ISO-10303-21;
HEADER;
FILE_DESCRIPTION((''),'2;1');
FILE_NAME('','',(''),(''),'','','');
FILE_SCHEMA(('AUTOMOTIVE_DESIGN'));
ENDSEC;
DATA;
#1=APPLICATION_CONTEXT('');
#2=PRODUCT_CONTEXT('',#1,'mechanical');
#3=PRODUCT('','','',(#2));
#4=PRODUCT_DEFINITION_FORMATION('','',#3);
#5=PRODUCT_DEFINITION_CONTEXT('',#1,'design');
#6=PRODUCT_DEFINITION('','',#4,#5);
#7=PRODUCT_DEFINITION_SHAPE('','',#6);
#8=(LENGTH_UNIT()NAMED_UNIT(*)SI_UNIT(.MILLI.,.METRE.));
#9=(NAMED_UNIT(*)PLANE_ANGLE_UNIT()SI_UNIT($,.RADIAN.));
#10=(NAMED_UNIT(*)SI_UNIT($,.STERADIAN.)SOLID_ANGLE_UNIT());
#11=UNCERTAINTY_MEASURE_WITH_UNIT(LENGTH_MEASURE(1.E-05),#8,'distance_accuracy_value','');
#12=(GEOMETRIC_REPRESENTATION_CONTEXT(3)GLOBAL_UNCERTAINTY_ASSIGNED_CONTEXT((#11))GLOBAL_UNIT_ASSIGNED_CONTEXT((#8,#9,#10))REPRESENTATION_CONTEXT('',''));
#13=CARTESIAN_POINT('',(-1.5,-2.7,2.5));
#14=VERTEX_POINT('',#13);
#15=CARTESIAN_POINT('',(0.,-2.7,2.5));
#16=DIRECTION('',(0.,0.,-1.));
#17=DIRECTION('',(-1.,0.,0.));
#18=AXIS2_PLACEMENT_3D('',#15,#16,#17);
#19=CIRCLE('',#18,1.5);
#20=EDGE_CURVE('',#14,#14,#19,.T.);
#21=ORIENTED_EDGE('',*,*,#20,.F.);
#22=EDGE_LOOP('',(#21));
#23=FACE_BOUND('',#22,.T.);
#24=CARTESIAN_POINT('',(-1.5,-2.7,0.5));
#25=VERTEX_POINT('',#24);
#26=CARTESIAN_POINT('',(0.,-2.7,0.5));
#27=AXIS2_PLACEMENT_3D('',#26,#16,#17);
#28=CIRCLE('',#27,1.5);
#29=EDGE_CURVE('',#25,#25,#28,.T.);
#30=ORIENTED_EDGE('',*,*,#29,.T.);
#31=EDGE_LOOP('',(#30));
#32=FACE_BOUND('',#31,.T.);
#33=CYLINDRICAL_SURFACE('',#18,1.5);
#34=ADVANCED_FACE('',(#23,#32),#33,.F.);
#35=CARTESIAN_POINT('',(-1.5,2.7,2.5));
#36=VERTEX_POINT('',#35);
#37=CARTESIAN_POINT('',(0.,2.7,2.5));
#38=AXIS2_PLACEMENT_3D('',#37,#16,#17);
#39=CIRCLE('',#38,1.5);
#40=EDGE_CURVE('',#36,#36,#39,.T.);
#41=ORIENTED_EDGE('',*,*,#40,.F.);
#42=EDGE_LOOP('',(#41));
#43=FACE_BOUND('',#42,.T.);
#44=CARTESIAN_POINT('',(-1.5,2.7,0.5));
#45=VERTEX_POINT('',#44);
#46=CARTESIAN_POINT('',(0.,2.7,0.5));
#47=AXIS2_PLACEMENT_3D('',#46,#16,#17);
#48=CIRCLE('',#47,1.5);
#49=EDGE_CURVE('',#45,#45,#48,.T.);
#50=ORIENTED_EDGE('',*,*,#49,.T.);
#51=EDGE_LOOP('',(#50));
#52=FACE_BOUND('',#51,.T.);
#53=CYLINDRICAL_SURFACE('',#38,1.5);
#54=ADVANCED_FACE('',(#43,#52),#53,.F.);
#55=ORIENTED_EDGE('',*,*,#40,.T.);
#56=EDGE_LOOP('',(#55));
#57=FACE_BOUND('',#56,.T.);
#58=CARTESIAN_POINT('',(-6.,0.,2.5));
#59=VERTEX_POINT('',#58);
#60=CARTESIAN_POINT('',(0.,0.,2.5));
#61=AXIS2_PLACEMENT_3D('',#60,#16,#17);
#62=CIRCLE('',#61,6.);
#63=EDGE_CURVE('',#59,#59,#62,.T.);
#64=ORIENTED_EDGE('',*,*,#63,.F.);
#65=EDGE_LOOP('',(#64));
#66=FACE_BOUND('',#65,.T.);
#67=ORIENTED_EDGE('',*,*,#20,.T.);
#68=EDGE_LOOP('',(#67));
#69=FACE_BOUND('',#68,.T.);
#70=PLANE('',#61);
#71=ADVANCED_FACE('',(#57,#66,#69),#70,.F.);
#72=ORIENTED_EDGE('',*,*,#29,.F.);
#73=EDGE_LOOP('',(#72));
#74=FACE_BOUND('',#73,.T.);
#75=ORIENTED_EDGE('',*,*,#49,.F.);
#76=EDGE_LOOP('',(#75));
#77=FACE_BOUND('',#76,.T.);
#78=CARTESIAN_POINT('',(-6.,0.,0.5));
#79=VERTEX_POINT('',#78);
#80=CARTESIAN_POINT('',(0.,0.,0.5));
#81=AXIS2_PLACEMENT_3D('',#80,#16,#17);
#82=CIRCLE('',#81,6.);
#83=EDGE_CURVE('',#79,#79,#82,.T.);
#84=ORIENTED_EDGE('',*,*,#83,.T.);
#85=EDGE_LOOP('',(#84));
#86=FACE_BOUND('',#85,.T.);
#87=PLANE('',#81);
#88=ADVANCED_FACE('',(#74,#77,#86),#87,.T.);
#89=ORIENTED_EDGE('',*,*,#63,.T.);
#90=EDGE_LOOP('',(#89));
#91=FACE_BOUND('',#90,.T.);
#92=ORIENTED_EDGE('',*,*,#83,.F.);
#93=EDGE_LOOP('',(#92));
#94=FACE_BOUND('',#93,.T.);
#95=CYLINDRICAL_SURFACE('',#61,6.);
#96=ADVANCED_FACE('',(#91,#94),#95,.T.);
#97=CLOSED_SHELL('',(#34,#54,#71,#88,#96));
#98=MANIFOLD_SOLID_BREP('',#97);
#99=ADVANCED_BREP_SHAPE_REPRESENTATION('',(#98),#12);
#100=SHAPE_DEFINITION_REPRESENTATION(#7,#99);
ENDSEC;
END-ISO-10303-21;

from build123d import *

# Parameters (mm, degrees)
BOSS_EXTRUDE1_START = 0.5
SKETCH2_R           = 6
SKETCH2_R_2         = 1.5
BOSS_EXTRUDE1_DEPTH = 2


with BuildPart() as part:
    # Sketch2 → Boss-Extrude1 (new body)
    with BuildSketch(Plane.XY.offset(BOSS_EXTRUDE1_START)):
        with Locations(Location((0, 0, 0), (0, 0, 180))):
            Circle(SKETCH2_R)
        with Locations(Location((0, 2.7, 0), (0, 0, 180))):
            Circle(SKETCH2_R_2, mode=Mode.SUBTRACT)
        with Locations(Location((0, -2.7, 0), (0, 0, 180))):
            Circle(SKETCH2_R_2, mode=Mode.SUBTRACT)
    extrude(amount=BOSS_EXTRUDE1_DEPTH)


solid = part.part
